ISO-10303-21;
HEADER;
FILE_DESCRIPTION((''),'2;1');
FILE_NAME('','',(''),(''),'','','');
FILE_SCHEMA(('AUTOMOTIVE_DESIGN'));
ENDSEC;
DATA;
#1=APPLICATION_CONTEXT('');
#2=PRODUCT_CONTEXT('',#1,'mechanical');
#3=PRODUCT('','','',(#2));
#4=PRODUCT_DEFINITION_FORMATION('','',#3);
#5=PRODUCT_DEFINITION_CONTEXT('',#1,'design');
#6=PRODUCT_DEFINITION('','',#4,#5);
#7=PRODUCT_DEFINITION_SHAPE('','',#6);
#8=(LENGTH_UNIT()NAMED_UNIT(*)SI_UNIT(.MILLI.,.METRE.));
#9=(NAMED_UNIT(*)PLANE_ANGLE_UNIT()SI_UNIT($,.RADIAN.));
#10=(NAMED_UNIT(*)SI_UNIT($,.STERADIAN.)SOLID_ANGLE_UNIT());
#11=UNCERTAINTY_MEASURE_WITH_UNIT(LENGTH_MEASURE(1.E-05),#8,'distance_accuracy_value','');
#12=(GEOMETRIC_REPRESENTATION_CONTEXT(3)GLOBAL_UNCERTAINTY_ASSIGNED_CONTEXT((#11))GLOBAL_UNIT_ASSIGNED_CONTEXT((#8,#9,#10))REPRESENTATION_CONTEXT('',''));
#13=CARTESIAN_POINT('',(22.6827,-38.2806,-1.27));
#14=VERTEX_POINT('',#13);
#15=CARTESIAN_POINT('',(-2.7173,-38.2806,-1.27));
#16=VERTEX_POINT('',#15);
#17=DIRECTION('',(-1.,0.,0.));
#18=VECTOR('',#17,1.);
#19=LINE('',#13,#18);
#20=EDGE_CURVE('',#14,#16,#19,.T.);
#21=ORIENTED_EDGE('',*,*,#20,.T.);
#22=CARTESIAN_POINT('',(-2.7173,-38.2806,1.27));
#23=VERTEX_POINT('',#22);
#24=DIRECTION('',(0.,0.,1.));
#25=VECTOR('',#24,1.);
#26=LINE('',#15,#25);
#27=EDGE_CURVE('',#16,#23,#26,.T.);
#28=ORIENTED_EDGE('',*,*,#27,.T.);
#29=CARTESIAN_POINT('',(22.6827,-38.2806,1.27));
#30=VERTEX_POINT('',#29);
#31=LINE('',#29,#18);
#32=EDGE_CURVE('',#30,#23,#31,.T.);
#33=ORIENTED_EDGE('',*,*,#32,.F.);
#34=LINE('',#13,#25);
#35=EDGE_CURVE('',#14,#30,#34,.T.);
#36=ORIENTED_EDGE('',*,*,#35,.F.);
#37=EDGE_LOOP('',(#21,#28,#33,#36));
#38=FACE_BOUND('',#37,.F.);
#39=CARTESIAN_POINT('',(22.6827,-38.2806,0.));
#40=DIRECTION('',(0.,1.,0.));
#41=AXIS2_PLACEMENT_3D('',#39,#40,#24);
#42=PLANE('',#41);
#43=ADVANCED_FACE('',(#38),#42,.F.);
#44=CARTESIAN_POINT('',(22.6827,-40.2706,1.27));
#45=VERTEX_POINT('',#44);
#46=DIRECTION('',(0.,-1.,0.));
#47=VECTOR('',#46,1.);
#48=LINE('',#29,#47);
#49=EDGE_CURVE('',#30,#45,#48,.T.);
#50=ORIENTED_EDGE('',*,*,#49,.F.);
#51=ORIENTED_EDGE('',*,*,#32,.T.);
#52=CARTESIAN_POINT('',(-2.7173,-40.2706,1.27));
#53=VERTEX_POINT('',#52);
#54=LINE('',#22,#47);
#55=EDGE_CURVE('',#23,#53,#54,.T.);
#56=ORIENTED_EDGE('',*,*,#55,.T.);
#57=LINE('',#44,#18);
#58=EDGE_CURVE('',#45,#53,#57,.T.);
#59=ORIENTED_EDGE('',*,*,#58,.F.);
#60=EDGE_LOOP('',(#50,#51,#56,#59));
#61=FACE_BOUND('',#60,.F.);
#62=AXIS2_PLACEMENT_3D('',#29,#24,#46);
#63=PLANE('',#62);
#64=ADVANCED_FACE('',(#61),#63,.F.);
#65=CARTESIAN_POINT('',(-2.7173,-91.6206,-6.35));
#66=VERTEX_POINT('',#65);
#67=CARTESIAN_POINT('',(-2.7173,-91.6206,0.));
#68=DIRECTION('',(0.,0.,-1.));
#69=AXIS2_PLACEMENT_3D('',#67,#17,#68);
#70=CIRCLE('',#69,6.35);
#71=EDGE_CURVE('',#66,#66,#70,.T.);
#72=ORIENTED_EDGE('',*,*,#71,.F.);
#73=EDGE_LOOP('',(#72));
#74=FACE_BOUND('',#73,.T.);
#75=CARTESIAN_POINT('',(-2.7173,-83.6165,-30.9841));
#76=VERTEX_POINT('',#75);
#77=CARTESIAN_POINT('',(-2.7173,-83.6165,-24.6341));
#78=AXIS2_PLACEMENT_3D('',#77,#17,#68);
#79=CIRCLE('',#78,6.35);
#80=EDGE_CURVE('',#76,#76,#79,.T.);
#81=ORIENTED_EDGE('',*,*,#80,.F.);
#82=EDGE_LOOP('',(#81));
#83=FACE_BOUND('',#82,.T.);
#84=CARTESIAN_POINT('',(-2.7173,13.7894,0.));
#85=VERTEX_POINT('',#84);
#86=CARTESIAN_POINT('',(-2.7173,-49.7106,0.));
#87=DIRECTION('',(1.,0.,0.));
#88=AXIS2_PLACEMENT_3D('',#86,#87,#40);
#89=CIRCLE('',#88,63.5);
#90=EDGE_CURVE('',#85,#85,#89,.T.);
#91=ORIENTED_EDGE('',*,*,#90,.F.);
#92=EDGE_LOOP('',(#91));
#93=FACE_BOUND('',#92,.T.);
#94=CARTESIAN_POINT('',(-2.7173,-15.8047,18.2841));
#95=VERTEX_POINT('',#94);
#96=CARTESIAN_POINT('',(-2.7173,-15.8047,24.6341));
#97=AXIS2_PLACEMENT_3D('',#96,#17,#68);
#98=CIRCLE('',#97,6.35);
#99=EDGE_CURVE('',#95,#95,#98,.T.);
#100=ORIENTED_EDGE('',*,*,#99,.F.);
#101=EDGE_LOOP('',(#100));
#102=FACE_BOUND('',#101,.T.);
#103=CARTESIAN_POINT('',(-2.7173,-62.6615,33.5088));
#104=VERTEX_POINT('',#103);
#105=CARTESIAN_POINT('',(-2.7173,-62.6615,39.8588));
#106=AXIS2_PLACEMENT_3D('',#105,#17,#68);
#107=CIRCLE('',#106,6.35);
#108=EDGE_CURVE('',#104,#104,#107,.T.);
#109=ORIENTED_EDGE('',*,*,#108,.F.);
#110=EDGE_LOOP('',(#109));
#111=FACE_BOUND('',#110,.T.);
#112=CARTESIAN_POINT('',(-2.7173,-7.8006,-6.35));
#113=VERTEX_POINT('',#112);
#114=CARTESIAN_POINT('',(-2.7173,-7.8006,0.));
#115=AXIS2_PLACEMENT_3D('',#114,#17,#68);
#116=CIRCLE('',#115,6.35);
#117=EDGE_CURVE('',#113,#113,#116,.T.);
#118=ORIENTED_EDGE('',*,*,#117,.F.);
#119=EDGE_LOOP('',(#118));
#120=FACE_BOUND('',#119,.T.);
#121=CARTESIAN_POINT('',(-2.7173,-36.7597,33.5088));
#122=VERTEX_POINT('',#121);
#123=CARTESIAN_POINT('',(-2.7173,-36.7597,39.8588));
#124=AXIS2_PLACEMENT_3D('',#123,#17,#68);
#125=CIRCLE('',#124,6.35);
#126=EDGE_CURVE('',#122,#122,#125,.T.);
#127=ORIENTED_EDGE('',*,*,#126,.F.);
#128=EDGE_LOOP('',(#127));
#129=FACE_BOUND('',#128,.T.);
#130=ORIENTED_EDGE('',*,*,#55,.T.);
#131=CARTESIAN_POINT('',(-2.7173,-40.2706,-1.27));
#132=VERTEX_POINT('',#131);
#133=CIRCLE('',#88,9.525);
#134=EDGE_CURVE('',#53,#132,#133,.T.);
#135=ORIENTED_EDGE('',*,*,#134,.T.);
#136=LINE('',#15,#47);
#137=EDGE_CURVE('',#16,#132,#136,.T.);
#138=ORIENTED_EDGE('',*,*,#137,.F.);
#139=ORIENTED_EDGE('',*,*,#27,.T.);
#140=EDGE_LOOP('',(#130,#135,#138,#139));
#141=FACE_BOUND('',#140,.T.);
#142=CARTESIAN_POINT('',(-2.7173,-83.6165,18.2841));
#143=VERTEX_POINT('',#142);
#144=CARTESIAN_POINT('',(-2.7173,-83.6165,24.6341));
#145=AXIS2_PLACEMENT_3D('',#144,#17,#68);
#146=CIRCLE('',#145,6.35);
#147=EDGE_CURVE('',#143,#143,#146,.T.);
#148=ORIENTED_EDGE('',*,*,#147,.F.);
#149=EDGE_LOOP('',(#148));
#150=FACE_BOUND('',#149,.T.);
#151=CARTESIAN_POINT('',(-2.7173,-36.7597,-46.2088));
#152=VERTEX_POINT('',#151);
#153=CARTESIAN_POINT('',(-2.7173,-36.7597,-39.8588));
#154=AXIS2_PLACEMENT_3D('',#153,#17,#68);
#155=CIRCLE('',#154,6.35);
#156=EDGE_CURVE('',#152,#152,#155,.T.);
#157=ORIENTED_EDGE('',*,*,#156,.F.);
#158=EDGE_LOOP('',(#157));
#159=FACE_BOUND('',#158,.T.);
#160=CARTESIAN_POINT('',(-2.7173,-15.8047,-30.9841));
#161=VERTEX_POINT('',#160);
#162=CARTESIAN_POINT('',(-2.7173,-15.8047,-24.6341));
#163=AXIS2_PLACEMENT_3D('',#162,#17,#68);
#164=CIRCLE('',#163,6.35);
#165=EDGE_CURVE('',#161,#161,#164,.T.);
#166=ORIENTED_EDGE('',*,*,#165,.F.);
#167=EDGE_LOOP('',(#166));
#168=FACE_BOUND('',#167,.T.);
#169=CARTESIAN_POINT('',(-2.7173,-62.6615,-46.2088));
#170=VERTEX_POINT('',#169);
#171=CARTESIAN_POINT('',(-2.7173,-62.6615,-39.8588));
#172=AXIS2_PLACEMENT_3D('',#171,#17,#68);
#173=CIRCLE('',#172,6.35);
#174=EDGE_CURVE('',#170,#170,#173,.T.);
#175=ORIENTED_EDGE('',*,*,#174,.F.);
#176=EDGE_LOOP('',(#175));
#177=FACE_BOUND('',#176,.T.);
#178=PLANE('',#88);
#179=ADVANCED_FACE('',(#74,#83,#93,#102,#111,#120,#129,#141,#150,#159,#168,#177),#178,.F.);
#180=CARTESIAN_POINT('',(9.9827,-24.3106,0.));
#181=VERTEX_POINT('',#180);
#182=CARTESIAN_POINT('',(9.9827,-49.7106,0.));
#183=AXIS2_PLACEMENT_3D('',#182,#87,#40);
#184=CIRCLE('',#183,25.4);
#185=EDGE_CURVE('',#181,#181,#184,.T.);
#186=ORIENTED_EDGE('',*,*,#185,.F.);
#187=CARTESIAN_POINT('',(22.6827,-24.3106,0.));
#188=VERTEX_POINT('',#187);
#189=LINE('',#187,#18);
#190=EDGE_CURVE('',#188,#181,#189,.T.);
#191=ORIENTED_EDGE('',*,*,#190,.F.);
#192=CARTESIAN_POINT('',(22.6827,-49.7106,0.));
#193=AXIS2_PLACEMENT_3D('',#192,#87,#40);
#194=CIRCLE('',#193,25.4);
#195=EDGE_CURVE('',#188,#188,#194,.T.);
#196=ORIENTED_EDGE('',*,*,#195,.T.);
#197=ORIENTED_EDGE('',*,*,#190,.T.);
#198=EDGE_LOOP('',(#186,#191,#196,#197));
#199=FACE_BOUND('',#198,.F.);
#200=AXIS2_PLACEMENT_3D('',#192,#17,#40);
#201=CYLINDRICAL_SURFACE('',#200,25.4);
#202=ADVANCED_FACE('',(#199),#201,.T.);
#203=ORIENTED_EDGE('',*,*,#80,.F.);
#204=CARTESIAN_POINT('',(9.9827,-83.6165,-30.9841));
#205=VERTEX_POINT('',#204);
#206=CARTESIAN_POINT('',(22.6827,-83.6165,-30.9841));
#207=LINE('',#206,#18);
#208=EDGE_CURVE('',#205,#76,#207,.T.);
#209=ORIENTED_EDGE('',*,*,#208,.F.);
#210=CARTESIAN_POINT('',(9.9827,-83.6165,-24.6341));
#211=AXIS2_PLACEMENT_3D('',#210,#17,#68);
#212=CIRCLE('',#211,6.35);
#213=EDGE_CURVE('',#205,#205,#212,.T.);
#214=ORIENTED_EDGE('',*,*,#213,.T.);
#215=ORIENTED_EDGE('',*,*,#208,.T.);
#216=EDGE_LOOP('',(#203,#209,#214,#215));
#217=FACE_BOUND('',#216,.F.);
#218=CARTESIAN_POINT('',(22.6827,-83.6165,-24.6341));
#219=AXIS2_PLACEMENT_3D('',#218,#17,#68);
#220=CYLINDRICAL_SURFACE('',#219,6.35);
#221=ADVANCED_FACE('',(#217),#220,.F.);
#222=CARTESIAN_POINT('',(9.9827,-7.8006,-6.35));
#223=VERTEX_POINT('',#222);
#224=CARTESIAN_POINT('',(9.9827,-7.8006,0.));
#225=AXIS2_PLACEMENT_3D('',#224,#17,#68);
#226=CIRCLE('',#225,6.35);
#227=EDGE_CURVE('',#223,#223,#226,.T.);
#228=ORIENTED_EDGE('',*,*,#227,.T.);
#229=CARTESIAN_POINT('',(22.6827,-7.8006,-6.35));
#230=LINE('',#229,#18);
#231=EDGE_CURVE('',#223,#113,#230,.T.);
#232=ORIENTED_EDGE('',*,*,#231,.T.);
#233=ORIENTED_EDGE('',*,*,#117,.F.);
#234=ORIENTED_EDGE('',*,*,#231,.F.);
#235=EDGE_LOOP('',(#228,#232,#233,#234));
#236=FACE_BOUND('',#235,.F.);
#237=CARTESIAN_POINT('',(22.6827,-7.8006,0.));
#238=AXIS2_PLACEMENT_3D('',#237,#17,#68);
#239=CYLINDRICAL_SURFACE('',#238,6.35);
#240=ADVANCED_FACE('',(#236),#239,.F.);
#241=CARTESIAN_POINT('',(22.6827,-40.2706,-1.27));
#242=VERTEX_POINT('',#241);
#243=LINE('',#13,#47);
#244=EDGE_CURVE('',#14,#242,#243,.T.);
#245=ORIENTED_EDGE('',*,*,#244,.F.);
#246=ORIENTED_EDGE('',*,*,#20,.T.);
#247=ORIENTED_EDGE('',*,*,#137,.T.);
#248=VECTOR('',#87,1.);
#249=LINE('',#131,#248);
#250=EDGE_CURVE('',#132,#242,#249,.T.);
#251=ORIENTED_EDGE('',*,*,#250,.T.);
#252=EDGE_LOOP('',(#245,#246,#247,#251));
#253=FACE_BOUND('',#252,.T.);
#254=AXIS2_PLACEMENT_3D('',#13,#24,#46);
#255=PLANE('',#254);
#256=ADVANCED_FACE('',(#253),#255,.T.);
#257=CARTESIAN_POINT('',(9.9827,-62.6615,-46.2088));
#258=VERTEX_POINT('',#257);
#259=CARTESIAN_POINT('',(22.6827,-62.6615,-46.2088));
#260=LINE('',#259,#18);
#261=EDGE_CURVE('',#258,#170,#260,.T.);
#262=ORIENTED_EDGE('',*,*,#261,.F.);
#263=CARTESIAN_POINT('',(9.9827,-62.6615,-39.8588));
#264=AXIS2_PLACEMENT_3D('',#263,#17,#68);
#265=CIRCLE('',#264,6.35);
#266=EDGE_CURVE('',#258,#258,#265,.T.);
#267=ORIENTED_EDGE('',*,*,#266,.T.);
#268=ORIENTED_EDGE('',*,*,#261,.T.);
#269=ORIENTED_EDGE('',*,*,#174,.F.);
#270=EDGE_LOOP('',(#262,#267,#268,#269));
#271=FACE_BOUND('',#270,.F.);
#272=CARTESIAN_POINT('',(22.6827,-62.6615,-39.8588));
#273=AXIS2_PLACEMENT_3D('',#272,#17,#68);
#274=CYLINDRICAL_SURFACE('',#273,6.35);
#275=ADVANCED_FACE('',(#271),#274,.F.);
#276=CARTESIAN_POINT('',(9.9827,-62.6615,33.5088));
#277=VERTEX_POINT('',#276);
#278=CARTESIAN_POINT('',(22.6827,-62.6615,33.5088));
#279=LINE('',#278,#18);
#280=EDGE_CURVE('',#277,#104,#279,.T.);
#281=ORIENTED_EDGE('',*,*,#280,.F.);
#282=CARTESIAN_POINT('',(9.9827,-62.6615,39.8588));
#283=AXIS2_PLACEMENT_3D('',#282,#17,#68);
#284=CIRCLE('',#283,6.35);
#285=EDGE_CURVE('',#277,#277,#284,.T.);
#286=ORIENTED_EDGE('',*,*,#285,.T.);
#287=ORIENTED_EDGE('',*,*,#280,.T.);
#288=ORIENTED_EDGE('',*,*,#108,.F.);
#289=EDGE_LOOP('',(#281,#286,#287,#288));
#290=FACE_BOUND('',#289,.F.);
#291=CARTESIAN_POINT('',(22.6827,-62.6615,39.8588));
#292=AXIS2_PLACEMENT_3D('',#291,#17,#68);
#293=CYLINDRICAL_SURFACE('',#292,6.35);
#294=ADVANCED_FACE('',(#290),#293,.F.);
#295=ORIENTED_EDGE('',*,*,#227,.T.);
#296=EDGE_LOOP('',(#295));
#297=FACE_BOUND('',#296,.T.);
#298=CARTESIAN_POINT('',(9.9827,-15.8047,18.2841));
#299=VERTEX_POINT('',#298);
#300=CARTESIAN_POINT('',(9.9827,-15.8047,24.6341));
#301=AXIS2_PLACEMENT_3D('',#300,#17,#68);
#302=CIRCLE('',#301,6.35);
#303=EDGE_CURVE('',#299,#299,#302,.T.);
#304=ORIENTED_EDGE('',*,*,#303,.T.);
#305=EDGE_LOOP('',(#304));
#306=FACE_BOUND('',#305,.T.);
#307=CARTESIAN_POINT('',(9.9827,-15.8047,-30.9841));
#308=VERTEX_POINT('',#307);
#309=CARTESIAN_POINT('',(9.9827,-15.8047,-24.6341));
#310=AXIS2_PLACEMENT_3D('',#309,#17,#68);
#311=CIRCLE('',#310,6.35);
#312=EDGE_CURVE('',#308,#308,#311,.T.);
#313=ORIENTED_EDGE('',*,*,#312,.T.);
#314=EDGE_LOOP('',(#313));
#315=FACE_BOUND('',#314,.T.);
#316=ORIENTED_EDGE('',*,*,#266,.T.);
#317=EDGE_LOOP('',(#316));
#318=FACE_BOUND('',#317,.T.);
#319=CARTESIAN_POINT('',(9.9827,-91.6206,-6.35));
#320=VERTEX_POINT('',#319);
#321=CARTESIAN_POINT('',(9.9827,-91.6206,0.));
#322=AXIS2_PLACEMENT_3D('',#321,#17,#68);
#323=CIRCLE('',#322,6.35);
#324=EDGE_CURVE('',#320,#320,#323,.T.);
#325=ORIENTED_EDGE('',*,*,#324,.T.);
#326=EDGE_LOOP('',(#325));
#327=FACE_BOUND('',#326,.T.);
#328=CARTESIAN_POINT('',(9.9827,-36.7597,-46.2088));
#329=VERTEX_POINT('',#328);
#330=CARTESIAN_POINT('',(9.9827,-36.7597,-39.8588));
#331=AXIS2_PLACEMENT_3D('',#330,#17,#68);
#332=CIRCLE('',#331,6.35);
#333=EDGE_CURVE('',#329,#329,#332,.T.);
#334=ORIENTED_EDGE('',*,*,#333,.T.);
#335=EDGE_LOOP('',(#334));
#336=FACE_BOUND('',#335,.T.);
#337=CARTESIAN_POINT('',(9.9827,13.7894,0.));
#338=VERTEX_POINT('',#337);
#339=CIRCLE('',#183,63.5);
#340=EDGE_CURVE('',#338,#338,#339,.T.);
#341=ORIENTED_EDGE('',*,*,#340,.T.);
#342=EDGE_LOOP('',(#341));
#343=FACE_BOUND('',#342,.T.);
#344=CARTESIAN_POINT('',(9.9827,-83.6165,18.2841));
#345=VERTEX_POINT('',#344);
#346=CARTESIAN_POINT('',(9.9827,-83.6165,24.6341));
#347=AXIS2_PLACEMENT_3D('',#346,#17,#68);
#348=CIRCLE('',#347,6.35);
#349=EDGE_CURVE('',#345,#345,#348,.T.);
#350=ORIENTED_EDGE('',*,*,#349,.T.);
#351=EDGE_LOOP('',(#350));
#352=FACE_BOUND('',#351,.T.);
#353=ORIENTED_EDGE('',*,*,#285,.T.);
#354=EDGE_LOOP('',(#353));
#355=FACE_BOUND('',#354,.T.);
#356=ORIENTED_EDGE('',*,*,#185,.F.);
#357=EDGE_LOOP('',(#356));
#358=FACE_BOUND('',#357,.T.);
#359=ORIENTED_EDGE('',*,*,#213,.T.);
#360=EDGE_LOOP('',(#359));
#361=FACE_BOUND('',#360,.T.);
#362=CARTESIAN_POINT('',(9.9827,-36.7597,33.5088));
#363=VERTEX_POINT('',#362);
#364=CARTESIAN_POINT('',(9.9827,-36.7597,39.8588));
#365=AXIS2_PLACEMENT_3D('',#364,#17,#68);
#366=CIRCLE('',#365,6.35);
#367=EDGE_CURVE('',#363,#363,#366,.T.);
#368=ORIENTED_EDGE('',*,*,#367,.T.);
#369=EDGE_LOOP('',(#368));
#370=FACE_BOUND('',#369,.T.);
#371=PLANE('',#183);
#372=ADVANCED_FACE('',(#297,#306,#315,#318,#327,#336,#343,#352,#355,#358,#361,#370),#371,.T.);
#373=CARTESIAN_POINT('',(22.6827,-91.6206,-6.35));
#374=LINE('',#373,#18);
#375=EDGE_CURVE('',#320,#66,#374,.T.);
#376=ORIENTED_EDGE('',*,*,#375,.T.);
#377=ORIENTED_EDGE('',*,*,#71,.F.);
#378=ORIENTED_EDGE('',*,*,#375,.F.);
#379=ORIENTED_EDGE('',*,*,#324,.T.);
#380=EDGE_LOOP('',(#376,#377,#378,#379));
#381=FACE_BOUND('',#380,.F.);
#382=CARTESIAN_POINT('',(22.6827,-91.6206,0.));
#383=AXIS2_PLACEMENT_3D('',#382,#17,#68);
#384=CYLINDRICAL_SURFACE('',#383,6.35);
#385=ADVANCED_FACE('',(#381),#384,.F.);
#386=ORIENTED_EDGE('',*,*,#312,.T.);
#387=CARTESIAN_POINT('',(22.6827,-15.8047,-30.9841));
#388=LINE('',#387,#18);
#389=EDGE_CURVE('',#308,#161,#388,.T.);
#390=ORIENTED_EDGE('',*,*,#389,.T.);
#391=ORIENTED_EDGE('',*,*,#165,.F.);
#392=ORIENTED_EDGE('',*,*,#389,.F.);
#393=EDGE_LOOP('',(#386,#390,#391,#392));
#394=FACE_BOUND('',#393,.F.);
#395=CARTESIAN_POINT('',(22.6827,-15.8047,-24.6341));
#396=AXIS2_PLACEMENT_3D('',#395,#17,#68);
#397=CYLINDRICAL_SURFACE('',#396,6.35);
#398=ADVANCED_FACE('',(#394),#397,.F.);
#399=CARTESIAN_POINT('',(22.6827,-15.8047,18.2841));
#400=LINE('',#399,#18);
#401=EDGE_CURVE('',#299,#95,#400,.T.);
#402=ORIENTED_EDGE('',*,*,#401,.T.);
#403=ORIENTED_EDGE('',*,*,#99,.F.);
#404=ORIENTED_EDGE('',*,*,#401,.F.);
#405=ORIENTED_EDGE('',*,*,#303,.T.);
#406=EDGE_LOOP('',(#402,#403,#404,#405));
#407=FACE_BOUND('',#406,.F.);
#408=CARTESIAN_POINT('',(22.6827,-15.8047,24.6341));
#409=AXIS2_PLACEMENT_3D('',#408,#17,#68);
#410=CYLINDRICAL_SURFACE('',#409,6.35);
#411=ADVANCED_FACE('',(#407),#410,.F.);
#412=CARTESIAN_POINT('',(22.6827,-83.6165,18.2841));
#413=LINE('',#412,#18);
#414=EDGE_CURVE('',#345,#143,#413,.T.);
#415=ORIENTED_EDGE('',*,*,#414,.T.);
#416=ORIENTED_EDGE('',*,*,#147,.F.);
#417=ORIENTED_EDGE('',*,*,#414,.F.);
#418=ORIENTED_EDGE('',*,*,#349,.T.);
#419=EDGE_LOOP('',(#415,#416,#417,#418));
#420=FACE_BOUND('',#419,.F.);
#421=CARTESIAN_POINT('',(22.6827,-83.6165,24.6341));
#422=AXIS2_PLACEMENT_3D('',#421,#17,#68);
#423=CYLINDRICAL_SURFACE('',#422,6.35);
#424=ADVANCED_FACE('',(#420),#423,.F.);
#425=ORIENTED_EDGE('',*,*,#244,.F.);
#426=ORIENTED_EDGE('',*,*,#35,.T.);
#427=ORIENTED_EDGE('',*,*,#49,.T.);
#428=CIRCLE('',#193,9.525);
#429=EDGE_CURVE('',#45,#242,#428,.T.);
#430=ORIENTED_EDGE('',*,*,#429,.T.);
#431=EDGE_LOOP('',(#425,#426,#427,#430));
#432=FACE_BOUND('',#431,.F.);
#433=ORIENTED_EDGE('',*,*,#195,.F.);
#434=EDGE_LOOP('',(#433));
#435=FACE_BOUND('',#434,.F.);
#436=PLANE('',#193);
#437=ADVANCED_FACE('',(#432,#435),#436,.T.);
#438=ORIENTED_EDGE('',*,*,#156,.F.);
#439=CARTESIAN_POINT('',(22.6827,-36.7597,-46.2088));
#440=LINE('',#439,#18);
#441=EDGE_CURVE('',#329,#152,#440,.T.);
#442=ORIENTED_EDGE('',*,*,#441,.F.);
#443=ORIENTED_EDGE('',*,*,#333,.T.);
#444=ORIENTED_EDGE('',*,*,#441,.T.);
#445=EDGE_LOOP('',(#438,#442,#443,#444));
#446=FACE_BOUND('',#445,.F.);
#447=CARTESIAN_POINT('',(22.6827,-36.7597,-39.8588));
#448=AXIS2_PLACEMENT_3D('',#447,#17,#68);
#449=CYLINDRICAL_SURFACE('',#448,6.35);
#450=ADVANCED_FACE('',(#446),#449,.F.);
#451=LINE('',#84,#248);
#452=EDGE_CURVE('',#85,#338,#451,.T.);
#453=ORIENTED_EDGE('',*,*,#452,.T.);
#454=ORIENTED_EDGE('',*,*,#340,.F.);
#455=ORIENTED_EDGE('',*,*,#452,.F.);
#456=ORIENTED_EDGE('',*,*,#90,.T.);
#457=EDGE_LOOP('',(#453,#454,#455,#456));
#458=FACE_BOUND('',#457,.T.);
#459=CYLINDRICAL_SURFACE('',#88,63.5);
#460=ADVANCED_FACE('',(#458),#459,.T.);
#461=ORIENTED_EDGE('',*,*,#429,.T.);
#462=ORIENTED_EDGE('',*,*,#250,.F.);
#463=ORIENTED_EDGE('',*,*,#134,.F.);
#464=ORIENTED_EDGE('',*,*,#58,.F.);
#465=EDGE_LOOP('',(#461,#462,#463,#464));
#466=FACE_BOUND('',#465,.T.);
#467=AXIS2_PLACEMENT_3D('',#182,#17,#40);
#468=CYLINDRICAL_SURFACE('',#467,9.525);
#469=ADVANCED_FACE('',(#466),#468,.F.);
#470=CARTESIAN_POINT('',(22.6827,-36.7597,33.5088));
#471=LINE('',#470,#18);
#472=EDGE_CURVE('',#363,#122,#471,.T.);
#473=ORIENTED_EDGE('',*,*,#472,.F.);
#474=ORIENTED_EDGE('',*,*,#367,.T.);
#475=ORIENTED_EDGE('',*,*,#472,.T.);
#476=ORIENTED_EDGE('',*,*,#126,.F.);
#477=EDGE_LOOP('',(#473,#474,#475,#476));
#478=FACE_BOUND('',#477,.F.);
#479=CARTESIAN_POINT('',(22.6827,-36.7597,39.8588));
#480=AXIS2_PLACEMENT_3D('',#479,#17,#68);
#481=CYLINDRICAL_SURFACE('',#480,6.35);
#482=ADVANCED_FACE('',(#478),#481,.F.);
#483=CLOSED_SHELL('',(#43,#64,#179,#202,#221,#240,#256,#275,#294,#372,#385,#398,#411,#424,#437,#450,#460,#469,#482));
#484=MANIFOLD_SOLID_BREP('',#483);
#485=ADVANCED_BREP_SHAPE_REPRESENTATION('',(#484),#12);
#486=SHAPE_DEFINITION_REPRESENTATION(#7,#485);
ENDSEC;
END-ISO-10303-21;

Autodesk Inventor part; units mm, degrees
ref_plane "YZ Plane" through (0, 0, 0) normal (1, 0, 0) x (0, 1, 0)
ref_plane "XZ Plane" through (0, 0, 0) normal (0, 1, 0) x (-1, 0, 0)
ref_plane "XY Plane" through (0, 0, 0) normal (0, 0, 1) x (1, 0, 0)
sketch "Sketch1" plane through (0, 0, 0) normal (0, 0, 1) x (1, 0, 0)
  line L0 (-2.7173, 13.7894) -> (9.9827, 13.7894)
  line L1 (9.9827, 13.7894) -> (9.9827, -24.3106)
  line L2 (9.9827, -40.1856) -> (-2.7173, -40.1856)
  line L3 (-2.7173, -40.1856) -> (-2.7173, 13.7894)
  line L4 (-2.7173, -40.1856) -> (22.6827, -40.1856)
  line L5 (22.6827, -40.1856) -> (22.6827, -24.3106)
  line L6 (22.6827, -24.3106) -> (9.9827, -24.3106)
  line L7 (-2.7173, -24.3106) -> (-2.7173, -40.1856)
  line L8 (-16.1487, -49.7106) -> (31.6829, -49.7106)
  point P0 (0, 0)
  dimension "d0" = 12.7
  dimension "d1" = 53.975
  dimension "d4" = 25.4
  dimension "d5" = 15.875
  dimension "d6" = 9.525
revolve "Revolution1" add sketch "Sketch1" angle 360 about axis through (-16.1487, -49.7106, 0) along (1, 0, 0)
sketch "Sketch3" plane through (22.6827, -49.7106, 0) normal (1, 0, 0) x (0, 0, -1)
  line L0 (0, 11.43) -> (-1.27, 11.43)
  line L1 (0, 11.43) -> (1.27, 11.43)
  line L2 (1.27, 11.43) -> (1.27, 9.44)
  circle A0 centre (0, 0) radius 9.525 projected
  line L3 (-1.27, 11.43) -> (-1.27, 9.44)
  line L4 (1.27, 9.44) -> (-1.27, 9.44)
  point P0 (0, 49.7106)
  dimension "d9" = 1.27
  dimension "d10" = 1.27
extrude "Extrusion1" cut sketch "Sketch3" against normal blind 25.4 contours L1 L2 A0 L3 L0
sketch "Sketch7" plane through (22.6827, -49.7106, 0) normal (1, 0, 0) x (0, 0, -1)
  point P0 (0, 49.7106)
  point P1 (0, 0)
  point P2 (0, 41.91)
  point P3 (-24.6341, 33.9059)
  point P4 (-39.8588, 12.9509)
  point P5 (-39.8588, -12.9509)
  point P6 (-24.6341, -33.9059)
  point P7 (0, -41.91)
  point P8 (24.6341, -33.9059)
  point P9 (39.8588, -12.9509)
  point P10 (39.8588, 12.9509)
  point P11 (24.6341, 33.9059)
  dimension "d29" = 41.91
  dimension "d32" = 360
hole "Hole3" at (22.6827, -49.7106, 0) at (22.6827, -7.8006, 0) at (22.6827, -15.8047, 24.6341) at (22.6827, -36.7597, 39.8588) at (22.6827, -62.6615, 39.8588) at (22.6827, -83.6165, 24.6341) at (22.6827, -91.6206, 0) at (22.6827, -83.6165, -24.6341) at (22.6827, -62.6615, -39.8588) at (22.6827, -36.7597, -39.8588) at (22.6827, -15.8047, -24.6341) direction (-1, 0, 0) diameter 12.7 end through all
properties part number "arthurWeiActivity 5.5a#4.dwg"
